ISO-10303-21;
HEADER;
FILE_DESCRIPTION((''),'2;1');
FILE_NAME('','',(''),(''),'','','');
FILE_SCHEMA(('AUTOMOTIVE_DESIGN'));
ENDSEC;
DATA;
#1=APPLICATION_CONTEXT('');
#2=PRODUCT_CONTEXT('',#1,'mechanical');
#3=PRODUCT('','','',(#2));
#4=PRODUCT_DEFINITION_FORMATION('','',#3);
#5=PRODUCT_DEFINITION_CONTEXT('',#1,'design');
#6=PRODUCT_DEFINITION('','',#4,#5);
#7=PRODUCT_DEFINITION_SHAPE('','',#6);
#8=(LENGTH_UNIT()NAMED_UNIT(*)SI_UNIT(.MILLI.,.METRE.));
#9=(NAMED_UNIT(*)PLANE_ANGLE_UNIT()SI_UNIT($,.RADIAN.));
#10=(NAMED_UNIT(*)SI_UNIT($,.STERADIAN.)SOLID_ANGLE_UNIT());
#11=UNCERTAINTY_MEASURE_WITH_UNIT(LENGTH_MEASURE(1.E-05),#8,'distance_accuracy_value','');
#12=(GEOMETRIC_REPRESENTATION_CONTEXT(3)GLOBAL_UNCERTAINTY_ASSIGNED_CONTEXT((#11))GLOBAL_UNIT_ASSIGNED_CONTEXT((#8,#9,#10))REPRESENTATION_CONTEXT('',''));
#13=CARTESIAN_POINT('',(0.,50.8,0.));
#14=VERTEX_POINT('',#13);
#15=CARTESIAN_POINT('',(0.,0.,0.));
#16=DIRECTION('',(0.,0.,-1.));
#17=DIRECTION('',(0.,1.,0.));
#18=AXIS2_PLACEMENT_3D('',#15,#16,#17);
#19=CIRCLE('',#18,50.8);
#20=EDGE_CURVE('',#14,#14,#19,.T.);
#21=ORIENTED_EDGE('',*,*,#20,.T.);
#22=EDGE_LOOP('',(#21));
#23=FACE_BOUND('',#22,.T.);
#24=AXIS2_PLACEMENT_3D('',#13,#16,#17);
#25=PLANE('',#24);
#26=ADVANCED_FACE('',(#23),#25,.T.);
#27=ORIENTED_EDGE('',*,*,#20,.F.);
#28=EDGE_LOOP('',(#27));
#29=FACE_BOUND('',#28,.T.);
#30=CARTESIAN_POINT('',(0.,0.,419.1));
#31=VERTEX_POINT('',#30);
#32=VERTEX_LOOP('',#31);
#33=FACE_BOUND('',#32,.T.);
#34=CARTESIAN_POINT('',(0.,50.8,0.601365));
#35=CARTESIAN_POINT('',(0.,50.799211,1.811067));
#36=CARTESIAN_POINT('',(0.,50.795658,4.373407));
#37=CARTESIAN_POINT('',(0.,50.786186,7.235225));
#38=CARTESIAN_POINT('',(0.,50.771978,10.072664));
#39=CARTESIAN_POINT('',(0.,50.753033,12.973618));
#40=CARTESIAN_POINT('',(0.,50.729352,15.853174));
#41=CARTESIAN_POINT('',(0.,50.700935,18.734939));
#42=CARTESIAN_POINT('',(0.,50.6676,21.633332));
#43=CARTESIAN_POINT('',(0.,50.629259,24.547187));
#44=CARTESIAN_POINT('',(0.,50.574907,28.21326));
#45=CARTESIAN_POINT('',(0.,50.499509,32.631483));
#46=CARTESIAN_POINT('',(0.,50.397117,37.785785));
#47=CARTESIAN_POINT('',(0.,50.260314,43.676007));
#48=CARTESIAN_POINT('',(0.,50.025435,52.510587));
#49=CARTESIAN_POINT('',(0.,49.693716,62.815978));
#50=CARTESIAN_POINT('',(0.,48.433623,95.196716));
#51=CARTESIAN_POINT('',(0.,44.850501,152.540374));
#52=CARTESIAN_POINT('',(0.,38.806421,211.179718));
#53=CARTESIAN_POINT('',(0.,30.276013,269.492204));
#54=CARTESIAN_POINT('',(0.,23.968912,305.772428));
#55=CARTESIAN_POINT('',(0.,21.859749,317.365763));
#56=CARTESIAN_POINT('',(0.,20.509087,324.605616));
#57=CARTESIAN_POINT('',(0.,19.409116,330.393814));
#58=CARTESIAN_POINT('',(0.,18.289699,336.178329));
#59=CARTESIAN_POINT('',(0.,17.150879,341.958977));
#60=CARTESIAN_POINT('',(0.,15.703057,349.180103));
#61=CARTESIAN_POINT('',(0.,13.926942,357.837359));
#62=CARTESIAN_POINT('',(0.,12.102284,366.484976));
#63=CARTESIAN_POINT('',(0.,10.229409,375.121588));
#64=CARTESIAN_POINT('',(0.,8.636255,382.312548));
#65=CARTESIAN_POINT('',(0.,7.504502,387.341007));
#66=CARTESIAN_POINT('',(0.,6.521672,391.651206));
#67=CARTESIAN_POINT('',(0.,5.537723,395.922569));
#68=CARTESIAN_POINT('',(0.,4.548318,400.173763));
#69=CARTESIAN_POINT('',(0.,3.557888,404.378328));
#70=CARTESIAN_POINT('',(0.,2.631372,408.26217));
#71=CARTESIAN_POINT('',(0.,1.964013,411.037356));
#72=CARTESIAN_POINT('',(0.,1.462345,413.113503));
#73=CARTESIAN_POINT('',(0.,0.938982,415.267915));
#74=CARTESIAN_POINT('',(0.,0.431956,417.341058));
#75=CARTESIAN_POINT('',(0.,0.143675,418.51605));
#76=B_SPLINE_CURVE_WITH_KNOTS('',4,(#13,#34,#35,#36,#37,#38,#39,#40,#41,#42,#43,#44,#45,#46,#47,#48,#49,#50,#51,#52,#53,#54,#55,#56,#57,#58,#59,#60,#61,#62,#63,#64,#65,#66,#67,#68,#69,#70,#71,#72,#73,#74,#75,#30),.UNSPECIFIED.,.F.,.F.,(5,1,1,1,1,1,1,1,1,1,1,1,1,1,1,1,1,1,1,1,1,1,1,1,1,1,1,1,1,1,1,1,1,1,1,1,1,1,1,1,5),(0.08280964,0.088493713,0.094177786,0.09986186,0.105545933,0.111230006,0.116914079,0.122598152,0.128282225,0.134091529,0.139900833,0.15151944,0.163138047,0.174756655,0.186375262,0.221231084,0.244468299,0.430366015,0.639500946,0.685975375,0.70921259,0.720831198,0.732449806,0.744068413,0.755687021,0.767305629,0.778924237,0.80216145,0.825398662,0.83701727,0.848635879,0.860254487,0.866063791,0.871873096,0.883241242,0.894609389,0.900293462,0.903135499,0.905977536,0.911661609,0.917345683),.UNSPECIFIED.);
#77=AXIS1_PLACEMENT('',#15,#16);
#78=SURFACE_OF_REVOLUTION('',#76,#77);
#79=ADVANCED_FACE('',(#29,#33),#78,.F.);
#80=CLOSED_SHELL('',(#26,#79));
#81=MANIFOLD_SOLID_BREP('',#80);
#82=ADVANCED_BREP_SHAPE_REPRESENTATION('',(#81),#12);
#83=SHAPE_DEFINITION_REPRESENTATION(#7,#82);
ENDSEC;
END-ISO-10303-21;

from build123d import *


with BuildPart() as part:
    # Sketch1 → Revolve1 (revolve)
    with BuildSketch(Plane(origin=(0, 0, 0), x_dir=(0, 0, -1), z_dir=(1, 0, 0))):
        with BuildLine():
            Line((0, 50.8), (0, 0))
            Line((0, 0), (-419.1, 0))
            add(Edge.make_bspline(
                [(-419.1, 0), (-418.516049996, 0.143674558), (-417.341057947, 0.431955686), (-415.267914976, 0.938981599), (-413.113503119, 1.462344761), (-411.037356499, 1.964012902), (-408.262170449, 2.631372107), (-404.378328377, 3.557888028), (-400.173762608, 4.548318185), (-395.922569003, 5.53772293), (-391.651205531, 6.5216717), (-387.341006827, 7.504502498), (-382.312547992, 8.636255059), (-375.121587963, 10.229408995), (-366.48497628, 12.102283793), (-357.837358665, 13.926941684), (-349.180103041, 15.703057499), (-341.958976598, 17.150878539), (-336.178329207, 18.289698787), (-330.393813965, 19.409115585), (-324.605615588, 20.509086915), (-317.365763284, 21.859748913), (-305.772427953, 23.96891213), (-269.492204423, 30.276012579), (-211.179717997, 38.806420934), (-152.540374476, 44.850500822), (-95.196715508, 48.433623126), (-62.815978494, 49.693715998), (-52.510587206, 50.025435385), (-43.676007236, 50.260314021), (-37.785784938, 50.397117105), (-32.631483434, 50.499508613), (-28.213260077, 50.574906803), (-24.547186576, 50.629258964), (-21.633332153, 50.667600044), (-18.734938706, 50.700935343), (-15.85317443, 50.729352106), (-12.973618493, 50.753032858), (-10.072664337, 50.771977537), (-7.235225246, 50.786186091), (-4.373407354, 50.795658482), (-1.811066829, 50.799210633), (-0.60136508, 50.8), (0, 50.8)],
                knots=[0.08280964, 0.08280964, 0.08280964, 0.08280964, 0.08280964, 0.088493714, 0.094177787, 0.097019824, 0.09986186, 0.105545934, 0.11691408, 0.128282227, 0.134091531, 0.139900835, 0.151519444, 0.163138052, 0.174756661, 0.197993873, 0.221231086, 0.232849694, 0.244468301, 0.256086909, 0.267705517, 0.279324125, 0.290942732, 0.314179948, 0.360654377, 0.569789307, 0.755687024, 0.778924238, 0.813780061, 0.825398668, 0.837017275, 0.848635883, 0.86025449, 0.866063794, 0.871873097, 0.877557171, 0.883241244, 0.888925317, 0.89460939, 0.900293463, 0.905977536, 0.911661609, 0.917345683, 0.917345683, 0.917345683, 0.917345683, 0.917345683], degree=4))
        make_face()
    revolve(axis=Axis((0, 0, 0), (0, 0, 1)))


solid = part.part
